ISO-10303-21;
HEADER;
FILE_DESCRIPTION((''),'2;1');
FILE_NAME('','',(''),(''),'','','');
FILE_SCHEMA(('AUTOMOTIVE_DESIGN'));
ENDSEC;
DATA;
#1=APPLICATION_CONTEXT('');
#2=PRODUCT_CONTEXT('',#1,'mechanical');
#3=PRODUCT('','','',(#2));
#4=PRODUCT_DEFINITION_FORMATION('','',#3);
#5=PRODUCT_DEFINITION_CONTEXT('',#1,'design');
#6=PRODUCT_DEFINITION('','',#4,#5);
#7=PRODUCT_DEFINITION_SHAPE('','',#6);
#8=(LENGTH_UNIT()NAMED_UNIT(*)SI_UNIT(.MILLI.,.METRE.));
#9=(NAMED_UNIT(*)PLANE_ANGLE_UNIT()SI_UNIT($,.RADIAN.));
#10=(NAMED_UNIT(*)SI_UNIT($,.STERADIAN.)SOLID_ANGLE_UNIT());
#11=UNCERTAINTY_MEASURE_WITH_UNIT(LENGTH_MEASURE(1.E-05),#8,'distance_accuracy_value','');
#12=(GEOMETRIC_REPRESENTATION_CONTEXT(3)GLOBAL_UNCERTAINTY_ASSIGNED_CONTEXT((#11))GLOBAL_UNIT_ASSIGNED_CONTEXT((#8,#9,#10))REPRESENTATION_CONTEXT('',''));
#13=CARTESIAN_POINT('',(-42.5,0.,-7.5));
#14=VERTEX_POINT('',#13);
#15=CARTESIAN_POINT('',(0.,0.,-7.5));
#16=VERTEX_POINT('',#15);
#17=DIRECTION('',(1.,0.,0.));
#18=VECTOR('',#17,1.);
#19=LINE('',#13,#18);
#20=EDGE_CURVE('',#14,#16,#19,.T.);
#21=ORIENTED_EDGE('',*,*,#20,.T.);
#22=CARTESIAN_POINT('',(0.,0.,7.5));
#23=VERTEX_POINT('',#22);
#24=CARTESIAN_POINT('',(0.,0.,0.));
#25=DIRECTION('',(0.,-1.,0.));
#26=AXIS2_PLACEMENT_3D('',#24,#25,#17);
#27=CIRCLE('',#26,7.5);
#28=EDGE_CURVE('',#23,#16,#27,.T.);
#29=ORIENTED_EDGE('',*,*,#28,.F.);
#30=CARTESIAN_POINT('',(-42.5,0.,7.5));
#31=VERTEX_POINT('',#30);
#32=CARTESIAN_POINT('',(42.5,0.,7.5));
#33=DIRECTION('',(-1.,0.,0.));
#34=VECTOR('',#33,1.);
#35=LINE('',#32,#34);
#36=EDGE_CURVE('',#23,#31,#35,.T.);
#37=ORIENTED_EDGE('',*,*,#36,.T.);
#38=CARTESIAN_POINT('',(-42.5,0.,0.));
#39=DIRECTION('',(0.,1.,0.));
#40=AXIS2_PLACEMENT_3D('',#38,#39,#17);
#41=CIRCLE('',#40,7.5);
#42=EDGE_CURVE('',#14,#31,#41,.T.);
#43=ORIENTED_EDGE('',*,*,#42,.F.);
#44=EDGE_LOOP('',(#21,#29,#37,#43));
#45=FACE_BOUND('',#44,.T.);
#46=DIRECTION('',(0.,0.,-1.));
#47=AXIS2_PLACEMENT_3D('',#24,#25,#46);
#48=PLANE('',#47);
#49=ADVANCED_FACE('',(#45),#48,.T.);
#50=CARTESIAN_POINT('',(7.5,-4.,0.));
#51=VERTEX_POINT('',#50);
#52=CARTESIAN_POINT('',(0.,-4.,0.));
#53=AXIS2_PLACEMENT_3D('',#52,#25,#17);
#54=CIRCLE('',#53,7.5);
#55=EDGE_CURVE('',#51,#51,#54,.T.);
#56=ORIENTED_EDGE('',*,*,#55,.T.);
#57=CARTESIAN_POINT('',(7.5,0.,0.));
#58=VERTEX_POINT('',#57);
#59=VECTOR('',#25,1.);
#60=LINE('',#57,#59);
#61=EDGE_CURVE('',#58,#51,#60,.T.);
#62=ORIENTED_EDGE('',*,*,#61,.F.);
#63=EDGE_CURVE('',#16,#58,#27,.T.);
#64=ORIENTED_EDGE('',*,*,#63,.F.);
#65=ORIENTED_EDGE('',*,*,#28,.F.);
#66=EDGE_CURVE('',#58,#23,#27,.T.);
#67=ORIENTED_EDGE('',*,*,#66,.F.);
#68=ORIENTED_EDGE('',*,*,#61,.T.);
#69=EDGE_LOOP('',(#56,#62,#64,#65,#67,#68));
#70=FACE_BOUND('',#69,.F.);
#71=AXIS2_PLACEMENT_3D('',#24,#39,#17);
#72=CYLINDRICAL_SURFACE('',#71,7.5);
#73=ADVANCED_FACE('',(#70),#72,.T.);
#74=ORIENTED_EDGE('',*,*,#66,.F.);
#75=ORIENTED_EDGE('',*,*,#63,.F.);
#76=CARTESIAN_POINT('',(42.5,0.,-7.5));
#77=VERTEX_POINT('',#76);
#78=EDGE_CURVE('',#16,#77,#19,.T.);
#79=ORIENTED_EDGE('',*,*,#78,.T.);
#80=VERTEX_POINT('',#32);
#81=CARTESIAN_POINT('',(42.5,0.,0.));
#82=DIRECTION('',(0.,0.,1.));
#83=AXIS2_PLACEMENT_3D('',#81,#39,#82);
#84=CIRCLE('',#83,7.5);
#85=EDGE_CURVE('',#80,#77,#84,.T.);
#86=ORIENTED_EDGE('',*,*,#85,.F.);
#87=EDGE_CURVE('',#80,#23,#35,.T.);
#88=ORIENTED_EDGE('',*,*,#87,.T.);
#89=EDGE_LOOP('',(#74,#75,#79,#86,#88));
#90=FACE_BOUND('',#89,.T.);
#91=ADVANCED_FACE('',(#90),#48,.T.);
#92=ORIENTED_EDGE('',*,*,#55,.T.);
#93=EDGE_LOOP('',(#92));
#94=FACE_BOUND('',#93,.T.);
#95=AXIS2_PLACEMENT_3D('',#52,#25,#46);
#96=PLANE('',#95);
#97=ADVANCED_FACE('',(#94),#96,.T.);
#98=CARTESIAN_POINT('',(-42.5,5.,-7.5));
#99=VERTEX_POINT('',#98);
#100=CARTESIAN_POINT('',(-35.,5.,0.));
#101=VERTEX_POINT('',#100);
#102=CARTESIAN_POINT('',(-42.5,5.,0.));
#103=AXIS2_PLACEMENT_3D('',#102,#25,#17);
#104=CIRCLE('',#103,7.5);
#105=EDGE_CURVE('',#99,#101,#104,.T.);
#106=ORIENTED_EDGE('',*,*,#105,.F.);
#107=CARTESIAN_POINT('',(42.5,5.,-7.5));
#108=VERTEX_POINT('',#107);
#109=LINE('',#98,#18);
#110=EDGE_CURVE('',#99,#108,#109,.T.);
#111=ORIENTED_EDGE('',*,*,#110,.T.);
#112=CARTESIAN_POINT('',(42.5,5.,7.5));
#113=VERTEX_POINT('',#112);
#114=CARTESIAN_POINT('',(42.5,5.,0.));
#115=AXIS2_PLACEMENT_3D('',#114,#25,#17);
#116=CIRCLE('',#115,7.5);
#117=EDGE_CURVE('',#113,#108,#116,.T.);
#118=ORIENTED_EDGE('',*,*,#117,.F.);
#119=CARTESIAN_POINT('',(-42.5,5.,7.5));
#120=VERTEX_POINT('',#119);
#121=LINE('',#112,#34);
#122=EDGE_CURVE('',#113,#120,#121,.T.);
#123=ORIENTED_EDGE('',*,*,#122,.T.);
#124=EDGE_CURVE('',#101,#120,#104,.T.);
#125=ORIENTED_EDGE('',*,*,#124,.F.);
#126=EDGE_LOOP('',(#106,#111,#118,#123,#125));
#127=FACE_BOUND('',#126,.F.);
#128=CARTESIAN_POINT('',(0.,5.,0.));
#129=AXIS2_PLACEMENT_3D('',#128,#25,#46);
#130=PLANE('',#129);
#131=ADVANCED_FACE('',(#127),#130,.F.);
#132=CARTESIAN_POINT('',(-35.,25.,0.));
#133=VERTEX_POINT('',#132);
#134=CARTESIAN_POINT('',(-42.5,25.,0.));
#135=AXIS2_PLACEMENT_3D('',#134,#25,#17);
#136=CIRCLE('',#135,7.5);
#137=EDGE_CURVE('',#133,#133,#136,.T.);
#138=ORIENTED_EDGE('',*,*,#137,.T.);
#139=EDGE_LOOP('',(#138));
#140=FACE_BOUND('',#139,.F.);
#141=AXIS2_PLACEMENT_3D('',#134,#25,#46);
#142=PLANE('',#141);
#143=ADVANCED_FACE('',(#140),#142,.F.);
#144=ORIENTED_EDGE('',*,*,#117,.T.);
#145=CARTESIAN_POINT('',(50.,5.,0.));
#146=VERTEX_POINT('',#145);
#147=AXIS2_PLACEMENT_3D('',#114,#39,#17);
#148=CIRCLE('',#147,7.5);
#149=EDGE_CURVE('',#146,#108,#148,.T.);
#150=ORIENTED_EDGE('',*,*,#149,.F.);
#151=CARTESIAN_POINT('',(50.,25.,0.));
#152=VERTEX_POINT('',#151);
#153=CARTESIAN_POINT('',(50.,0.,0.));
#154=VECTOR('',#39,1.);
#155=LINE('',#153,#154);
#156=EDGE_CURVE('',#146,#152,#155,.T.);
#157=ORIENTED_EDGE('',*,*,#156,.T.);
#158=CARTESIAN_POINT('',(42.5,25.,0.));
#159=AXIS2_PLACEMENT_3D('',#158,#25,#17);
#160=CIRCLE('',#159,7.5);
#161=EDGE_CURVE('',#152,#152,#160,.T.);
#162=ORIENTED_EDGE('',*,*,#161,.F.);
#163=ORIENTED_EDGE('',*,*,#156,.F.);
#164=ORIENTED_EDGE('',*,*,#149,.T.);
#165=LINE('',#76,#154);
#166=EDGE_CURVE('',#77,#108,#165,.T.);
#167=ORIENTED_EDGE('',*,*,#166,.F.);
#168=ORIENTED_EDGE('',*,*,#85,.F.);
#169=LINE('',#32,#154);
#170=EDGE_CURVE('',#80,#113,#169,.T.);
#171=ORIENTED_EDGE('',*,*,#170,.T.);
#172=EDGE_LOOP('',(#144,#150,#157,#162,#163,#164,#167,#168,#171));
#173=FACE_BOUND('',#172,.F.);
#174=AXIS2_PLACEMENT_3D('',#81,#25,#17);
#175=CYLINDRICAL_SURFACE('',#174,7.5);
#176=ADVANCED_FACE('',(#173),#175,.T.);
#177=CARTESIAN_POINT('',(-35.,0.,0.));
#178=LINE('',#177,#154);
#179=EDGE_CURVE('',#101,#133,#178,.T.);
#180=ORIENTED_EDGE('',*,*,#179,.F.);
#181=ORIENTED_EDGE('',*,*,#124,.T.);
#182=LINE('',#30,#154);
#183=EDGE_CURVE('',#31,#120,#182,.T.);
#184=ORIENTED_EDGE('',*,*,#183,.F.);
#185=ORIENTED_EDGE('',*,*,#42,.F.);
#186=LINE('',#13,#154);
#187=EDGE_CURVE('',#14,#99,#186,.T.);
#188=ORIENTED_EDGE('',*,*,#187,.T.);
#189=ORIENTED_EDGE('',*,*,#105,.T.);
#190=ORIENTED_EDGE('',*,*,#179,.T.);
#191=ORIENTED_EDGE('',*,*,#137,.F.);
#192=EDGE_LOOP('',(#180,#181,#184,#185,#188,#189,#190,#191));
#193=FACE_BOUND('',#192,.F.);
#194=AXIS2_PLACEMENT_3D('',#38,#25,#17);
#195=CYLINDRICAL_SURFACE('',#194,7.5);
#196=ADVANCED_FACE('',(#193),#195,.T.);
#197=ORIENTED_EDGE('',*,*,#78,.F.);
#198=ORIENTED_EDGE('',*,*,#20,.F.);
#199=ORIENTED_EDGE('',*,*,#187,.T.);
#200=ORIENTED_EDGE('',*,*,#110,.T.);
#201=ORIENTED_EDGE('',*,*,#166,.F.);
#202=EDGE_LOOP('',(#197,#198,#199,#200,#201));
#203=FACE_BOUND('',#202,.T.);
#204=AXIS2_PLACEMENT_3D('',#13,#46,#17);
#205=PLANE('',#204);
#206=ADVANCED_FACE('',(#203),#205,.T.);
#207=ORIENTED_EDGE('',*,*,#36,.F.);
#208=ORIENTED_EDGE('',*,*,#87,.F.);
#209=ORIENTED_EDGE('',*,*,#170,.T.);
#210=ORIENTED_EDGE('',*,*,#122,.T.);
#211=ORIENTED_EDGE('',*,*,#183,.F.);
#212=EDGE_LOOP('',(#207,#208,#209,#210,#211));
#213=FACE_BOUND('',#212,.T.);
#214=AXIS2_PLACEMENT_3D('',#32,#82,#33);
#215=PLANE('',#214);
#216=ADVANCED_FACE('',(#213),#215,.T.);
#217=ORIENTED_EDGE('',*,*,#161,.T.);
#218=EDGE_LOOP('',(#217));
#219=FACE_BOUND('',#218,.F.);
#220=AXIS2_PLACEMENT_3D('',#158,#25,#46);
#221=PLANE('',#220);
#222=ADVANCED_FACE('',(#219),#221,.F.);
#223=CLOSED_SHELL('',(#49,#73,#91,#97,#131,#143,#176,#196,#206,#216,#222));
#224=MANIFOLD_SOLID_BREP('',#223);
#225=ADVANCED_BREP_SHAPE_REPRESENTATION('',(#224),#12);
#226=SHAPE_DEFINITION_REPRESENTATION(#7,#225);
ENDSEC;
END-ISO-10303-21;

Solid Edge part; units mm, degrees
sketch "Sketch1" plane through (0, 0, 0) normal (0, -1, 0) x (1, 0, 0)
  line L0 (-42.5, -7.5) -> (42.5, -7.5)
  line L1 (42.5, 7.5) -> (-42.5, 7.5)
  arc A0 (42.5, 7.5) -> (42.5, -7.5) centre (42.5, 0) cw
  arc A1 (-42.5, -7.5) -> (-42.5, 7.5) centre (-42.5, 0) cw
extrude "Protrusion1" add sketch "Sketch1" against normal blind 5
sketch "Sketch2" plane through (0, 0, 0) normal (0, -1, 0) x (1, 0, 0)
  circle A0 centre (-42.5, 0) radius 7.5
  circle A1 centre (42.5, 0) radius 7.5
  dimension "D1" = 15
extrude "ExtrudedProtrusion_3" add sketch "Sketch2" against normal blind 25
sketch "Sketch3" plane through (0, 0, 0) normal (0, -1, 0) x (1, 0, 0)
  circle A0 centre (0, 0) radius 7.5
extrude "ExtrudedProtrusion_5" add sketch "Sketch3" along normal blind 4
properties material "Stainless steel"
